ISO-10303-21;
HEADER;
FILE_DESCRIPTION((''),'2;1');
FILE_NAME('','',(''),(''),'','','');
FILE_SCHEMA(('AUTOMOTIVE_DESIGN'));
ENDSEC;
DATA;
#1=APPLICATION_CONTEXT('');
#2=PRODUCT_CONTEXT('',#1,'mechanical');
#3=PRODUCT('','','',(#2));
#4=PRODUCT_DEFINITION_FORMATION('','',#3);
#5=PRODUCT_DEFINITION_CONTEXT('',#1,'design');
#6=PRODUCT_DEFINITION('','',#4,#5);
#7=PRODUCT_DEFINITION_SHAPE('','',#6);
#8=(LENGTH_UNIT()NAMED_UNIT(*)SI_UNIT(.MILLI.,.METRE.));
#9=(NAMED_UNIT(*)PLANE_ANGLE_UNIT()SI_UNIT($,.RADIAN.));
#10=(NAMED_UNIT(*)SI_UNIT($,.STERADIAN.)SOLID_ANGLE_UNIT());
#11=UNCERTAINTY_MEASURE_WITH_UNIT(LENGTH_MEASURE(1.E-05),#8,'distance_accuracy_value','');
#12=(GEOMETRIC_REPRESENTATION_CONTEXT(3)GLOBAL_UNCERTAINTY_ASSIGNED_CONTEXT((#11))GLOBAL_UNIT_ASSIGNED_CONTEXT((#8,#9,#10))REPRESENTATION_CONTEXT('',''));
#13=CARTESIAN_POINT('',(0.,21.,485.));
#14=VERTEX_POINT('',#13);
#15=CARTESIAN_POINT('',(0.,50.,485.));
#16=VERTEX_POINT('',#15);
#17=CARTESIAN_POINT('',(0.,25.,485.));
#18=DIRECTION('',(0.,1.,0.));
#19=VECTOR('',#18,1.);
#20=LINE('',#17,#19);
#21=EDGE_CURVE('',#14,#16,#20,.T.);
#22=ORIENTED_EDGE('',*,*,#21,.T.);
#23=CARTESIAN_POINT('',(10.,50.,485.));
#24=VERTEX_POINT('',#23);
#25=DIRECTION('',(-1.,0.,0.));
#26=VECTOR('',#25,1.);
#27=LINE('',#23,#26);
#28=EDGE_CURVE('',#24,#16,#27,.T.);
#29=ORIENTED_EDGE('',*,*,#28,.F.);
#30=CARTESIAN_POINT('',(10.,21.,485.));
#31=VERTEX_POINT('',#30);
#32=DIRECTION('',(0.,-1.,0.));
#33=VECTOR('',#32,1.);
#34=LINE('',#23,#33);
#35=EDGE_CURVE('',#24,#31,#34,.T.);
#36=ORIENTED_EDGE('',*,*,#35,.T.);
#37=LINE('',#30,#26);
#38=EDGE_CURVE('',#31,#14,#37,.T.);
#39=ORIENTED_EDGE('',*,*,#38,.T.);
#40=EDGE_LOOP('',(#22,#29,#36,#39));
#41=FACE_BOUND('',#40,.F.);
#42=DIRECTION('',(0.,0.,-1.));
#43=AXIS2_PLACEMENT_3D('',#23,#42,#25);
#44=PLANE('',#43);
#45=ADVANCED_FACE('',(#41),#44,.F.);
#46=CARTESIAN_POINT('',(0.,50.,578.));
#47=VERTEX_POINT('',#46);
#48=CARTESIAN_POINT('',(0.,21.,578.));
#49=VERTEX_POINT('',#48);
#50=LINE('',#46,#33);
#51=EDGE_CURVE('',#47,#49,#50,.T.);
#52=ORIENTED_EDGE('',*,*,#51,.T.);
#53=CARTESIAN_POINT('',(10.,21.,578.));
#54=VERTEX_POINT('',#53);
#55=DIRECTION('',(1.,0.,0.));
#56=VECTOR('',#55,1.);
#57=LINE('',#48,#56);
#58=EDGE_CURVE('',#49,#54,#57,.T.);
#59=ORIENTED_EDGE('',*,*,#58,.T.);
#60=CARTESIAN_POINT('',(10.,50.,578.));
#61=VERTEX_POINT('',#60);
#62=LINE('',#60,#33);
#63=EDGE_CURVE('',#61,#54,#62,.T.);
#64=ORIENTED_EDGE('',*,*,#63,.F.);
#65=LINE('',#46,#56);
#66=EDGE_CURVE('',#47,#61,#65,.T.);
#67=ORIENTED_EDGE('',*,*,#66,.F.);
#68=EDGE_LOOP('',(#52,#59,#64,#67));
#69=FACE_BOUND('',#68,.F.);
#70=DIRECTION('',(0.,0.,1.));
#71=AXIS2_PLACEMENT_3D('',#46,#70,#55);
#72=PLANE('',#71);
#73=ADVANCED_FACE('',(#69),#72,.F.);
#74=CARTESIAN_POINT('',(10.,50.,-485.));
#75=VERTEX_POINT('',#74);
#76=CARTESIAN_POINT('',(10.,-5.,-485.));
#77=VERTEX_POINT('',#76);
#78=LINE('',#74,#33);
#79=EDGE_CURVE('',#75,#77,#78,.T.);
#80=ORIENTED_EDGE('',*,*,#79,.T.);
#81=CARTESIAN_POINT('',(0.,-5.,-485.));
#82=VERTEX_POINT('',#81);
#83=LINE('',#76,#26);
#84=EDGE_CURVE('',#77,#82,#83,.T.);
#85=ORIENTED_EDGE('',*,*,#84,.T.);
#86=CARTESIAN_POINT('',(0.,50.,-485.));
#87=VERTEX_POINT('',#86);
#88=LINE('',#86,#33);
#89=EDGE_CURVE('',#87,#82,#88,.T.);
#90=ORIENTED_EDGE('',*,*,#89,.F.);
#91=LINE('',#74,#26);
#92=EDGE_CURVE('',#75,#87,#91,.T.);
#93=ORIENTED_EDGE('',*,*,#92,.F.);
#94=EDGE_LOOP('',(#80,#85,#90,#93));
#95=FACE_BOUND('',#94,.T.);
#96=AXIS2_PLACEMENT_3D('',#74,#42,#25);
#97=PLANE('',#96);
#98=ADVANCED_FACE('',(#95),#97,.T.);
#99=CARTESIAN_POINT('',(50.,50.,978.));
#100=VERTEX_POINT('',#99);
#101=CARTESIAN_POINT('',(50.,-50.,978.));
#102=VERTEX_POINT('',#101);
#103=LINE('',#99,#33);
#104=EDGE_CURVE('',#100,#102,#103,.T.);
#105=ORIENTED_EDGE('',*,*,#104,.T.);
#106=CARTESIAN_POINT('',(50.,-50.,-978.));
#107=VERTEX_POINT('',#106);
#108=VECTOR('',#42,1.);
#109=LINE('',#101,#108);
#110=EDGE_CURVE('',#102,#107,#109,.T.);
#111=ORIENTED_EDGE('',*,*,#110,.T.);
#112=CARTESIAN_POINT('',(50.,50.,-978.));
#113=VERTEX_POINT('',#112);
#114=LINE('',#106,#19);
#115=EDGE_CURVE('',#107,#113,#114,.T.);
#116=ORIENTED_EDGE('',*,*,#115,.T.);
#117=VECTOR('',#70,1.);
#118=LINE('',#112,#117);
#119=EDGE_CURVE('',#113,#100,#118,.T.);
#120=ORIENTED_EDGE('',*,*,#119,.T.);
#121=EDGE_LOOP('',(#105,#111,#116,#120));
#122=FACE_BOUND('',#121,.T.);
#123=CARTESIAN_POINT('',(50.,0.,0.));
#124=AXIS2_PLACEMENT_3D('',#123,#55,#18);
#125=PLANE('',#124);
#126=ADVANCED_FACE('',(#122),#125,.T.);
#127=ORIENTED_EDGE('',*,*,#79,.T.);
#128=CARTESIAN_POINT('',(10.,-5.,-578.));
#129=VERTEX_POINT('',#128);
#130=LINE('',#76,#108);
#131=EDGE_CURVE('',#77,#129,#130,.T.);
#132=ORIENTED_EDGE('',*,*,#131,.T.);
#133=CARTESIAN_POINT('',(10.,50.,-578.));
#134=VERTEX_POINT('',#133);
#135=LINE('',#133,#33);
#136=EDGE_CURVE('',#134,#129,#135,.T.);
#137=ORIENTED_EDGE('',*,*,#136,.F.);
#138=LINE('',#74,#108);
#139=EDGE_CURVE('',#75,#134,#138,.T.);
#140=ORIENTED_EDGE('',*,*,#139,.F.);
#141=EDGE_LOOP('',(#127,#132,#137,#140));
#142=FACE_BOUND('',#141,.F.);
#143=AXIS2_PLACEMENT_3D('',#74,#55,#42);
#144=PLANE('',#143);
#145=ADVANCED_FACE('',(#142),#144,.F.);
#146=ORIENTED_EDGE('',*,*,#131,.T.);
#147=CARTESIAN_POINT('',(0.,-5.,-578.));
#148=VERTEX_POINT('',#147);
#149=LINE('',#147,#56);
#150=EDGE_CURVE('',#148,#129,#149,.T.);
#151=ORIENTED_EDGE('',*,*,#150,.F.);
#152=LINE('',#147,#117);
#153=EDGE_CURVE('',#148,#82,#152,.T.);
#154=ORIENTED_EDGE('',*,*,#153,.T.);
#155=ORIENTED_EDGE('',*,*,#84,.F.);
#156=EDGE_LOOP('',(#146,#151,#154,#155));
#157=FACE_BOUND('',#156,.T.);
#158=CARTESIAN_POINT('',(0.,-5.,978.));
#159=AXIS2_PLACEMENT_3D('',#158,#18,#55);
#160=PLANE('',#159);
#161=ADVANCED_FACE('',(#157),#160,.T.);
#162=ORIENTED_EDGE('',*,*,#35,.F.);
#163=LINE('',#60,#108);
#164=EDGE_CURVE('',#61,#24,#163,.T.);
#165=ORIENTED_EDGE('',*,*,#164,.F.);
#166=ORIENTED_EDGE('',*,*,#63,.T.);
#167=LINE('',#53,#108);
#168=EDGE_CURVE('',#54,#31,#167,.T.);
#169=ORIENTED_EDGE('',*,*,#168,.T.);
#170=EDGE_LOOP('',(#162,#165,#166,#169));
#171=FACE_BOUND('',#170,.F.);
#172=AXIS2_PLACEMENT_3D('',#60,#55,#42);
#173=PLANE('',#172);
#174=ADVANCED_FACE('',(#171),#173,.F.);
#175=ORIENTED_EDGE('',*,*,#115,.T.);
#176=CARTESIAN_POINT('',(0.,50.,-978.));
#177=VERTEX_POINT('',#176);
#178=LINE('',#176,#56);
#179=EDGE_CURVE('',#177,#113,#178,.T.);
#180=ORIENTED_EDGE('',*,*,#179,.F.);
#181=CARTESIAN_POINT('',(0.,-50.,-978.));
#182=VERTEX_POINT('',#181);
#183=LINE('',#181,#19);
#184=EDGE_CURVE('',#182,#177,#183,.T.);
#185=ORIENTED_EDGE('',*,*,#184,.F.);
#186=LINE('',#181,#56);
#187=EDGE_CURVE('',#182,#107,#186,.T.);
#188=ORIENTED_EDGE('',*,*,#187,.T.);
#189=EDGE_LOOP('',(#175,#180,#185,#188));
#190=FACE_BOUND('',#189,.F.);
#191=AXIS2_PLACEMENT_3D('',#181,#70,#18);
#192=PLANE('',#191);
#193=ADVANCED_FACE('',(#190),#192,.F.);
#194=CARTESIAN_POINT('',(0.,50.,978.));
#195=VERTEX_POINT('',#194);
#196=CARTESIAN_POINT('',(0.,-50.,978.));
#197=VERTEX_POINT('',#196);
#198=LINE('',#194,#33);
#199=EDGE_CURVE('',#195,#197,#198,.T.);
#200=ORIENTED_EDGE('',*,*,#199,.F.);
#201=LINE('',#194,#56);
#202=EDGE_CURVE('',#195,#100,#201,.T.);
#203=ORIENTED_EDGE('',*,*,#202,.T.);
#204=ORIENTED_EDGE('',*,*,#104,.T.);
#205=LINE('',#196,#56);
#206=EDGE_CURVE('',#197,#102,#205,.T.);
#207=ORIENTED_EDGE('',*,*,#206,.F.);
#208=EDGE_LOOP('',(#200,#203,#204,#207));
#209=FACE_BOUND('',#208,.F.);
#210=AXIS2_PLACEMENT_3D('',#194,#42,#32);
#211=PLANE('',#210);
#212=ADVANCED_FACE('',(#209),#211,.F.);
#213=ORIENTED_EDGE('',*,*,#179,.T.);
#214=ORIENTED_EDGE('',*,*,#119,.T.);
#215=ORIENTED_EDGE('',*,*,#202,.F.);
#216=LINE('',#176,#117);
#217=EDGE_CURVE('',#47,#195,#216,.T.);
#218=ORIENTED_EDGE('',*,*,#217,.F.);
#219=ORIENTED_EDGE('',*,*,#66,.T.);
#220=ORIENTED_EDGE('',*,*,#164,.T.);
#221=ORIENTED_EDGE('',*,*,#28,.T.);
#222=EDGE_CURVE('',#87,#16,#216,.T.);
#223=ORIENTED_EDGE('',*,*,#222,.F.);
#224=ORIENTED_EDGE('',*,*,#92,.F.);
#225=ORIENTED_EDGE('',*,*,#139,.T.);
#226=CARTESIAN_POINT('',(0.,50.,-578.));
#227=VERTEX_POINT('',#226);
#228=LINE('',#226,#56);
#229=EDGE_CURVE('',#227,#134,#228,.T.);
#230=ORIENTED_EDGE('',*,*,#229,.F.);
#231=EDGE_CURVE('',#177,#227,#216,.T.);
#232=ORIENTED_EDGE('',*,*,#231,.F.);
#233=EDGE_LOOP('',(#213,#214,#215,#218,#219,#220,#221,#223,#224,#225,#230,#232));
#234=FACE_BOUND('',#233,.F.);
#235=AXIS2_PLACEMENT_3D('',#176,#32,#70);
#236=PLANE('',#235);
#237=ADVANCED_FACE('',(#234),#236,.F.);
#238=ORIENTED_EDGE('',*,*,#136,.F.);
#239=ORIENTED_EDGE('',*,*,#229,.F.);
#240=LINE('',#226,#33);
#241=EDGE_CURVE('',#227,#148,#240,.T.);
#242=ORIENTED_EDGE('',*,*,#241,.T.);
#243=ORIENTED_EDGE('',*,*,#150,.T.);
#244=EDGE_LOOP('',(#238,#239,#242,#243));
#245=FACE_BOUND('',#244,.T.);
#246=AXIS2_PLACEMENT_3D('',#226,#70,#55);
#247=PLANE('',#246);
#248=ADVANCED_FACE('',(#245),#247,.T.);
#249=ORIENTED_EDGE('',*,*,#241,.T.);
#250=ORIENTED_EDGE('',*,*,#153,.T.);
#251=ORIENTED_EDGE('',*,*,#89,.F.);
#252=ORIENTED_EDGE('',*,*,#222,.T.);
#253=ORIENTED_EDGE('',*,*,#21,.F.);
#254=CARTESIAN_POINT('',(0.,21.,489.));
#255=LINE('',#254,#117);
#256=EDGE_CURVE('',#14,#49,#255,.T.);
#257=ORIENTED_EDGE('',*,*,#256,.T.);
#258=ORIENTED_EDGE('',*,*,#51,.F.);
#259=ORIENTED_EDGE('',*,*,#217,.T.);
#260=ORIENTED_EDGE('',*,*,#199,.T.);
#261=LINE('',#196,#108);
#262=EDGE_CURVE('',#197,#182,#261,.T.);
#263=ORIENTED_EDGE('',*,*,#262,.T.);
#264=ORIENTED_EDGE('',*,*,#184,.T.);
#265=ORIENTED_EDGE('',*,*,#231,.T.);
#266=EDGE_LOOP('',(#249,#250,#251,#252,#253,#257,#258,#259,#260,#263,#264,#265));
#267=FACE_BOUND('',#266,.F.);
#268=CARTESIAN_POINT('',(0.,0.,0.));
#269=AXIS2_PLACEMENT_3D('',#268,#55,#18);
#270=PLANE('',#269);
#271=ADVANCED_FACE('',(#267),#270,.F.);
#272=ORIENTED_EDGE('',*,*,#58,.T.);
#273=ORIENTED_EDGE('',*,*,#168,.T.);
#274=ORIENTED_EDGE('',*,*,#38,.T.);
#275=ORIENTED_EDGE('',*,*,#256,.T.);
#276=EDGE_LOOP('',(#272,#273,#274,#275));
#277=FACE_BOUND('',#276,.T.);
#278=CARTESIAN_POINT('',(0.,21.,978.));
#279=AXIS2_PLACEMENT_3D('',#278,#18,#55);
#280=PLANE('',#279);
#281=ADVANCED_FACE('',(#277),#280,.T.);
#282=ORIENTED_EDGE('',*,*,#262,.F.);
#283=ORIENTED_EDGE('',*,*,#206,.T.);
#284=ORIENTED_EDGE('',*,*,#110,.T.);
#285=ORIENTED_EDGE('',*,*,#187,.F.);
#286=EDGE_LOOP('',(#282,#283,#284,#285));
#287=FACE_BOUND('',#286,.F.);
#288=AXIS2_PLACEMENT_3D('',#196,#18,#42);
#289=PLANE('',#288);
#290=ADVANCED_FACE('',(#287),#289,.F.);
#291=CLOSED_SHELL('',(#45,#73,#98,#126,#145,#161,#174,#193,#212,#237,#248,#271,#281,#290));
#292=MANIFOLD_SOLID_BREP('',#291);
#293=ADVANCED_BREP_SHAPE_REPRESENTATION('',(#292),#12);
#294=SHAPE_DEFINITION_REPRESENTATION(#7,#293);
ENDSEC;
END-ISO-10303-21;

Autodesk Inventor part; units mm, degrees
ref_plane "YZ Plane" through (0, 0, 0) normal (1, 0, 0) x (0, 1, 0)
ref_plane "XZ Plane" through (0, 0, 0) normal (0, 1, 0) x (-1, 0, 0)
ref_plane "XY Plane" through (0, 0, 0) normal (0, 0, 1) x (1, 0, 0)
sketch "Эскиз1" plane through (0, 0, 0) normal (1, 0, 0) x (0, 1, 0)
  line L0 (-50, -978) -> (50, -978)
  line L1 (50, -978) -> (50, 978)
  line L2 (50, 978) -> (-50, 978)
  line L3 (-50, 978) -> (-50, -978)
  line L4 (-50, -978) -> (50, 978) construction
  line L5 (50, -978) -> (-50, 978) construction
  point P0 (0, 0)
  dimension "d0" = 100
  dimension "d1" = 1956
extrude "Выдавливание1" add sketch "Эскиз1" along normal blind 50
sketch "Эскиз2" plane through (0, 50, 978) normal (0, 1, 0) x (1, 0, 0)
  line L0 (0, 1556) -> (10, 1556)
  line L1 (10, 1463) -> (0, 1463)
  line L2 (10, 1463) -> (10, 1556)
  line L3 (0, 1556) -> (0, 1463)
  point P0 (0, 978)
extrude "Выдавливание2" cut sketch "Эскиз2" against normal blind 55
sketch "Эскиз3" plane through (0, 50, 978) normal (0, 1, 0) x (1, 0, 0)
  line L0 (10, 493) -> (-0.0484, 493)
  line L1 (0, 400) -> (10, 400)
  line L2 (10, 400) -> (10, 493)
  line L3 (-0.0484, 493) -> (0, 400)
  point P0 (0, 978)
extrude "Выдавливание3" cut sketch "Эскиз3" against normal blind 29
properties part number "side_panel"
